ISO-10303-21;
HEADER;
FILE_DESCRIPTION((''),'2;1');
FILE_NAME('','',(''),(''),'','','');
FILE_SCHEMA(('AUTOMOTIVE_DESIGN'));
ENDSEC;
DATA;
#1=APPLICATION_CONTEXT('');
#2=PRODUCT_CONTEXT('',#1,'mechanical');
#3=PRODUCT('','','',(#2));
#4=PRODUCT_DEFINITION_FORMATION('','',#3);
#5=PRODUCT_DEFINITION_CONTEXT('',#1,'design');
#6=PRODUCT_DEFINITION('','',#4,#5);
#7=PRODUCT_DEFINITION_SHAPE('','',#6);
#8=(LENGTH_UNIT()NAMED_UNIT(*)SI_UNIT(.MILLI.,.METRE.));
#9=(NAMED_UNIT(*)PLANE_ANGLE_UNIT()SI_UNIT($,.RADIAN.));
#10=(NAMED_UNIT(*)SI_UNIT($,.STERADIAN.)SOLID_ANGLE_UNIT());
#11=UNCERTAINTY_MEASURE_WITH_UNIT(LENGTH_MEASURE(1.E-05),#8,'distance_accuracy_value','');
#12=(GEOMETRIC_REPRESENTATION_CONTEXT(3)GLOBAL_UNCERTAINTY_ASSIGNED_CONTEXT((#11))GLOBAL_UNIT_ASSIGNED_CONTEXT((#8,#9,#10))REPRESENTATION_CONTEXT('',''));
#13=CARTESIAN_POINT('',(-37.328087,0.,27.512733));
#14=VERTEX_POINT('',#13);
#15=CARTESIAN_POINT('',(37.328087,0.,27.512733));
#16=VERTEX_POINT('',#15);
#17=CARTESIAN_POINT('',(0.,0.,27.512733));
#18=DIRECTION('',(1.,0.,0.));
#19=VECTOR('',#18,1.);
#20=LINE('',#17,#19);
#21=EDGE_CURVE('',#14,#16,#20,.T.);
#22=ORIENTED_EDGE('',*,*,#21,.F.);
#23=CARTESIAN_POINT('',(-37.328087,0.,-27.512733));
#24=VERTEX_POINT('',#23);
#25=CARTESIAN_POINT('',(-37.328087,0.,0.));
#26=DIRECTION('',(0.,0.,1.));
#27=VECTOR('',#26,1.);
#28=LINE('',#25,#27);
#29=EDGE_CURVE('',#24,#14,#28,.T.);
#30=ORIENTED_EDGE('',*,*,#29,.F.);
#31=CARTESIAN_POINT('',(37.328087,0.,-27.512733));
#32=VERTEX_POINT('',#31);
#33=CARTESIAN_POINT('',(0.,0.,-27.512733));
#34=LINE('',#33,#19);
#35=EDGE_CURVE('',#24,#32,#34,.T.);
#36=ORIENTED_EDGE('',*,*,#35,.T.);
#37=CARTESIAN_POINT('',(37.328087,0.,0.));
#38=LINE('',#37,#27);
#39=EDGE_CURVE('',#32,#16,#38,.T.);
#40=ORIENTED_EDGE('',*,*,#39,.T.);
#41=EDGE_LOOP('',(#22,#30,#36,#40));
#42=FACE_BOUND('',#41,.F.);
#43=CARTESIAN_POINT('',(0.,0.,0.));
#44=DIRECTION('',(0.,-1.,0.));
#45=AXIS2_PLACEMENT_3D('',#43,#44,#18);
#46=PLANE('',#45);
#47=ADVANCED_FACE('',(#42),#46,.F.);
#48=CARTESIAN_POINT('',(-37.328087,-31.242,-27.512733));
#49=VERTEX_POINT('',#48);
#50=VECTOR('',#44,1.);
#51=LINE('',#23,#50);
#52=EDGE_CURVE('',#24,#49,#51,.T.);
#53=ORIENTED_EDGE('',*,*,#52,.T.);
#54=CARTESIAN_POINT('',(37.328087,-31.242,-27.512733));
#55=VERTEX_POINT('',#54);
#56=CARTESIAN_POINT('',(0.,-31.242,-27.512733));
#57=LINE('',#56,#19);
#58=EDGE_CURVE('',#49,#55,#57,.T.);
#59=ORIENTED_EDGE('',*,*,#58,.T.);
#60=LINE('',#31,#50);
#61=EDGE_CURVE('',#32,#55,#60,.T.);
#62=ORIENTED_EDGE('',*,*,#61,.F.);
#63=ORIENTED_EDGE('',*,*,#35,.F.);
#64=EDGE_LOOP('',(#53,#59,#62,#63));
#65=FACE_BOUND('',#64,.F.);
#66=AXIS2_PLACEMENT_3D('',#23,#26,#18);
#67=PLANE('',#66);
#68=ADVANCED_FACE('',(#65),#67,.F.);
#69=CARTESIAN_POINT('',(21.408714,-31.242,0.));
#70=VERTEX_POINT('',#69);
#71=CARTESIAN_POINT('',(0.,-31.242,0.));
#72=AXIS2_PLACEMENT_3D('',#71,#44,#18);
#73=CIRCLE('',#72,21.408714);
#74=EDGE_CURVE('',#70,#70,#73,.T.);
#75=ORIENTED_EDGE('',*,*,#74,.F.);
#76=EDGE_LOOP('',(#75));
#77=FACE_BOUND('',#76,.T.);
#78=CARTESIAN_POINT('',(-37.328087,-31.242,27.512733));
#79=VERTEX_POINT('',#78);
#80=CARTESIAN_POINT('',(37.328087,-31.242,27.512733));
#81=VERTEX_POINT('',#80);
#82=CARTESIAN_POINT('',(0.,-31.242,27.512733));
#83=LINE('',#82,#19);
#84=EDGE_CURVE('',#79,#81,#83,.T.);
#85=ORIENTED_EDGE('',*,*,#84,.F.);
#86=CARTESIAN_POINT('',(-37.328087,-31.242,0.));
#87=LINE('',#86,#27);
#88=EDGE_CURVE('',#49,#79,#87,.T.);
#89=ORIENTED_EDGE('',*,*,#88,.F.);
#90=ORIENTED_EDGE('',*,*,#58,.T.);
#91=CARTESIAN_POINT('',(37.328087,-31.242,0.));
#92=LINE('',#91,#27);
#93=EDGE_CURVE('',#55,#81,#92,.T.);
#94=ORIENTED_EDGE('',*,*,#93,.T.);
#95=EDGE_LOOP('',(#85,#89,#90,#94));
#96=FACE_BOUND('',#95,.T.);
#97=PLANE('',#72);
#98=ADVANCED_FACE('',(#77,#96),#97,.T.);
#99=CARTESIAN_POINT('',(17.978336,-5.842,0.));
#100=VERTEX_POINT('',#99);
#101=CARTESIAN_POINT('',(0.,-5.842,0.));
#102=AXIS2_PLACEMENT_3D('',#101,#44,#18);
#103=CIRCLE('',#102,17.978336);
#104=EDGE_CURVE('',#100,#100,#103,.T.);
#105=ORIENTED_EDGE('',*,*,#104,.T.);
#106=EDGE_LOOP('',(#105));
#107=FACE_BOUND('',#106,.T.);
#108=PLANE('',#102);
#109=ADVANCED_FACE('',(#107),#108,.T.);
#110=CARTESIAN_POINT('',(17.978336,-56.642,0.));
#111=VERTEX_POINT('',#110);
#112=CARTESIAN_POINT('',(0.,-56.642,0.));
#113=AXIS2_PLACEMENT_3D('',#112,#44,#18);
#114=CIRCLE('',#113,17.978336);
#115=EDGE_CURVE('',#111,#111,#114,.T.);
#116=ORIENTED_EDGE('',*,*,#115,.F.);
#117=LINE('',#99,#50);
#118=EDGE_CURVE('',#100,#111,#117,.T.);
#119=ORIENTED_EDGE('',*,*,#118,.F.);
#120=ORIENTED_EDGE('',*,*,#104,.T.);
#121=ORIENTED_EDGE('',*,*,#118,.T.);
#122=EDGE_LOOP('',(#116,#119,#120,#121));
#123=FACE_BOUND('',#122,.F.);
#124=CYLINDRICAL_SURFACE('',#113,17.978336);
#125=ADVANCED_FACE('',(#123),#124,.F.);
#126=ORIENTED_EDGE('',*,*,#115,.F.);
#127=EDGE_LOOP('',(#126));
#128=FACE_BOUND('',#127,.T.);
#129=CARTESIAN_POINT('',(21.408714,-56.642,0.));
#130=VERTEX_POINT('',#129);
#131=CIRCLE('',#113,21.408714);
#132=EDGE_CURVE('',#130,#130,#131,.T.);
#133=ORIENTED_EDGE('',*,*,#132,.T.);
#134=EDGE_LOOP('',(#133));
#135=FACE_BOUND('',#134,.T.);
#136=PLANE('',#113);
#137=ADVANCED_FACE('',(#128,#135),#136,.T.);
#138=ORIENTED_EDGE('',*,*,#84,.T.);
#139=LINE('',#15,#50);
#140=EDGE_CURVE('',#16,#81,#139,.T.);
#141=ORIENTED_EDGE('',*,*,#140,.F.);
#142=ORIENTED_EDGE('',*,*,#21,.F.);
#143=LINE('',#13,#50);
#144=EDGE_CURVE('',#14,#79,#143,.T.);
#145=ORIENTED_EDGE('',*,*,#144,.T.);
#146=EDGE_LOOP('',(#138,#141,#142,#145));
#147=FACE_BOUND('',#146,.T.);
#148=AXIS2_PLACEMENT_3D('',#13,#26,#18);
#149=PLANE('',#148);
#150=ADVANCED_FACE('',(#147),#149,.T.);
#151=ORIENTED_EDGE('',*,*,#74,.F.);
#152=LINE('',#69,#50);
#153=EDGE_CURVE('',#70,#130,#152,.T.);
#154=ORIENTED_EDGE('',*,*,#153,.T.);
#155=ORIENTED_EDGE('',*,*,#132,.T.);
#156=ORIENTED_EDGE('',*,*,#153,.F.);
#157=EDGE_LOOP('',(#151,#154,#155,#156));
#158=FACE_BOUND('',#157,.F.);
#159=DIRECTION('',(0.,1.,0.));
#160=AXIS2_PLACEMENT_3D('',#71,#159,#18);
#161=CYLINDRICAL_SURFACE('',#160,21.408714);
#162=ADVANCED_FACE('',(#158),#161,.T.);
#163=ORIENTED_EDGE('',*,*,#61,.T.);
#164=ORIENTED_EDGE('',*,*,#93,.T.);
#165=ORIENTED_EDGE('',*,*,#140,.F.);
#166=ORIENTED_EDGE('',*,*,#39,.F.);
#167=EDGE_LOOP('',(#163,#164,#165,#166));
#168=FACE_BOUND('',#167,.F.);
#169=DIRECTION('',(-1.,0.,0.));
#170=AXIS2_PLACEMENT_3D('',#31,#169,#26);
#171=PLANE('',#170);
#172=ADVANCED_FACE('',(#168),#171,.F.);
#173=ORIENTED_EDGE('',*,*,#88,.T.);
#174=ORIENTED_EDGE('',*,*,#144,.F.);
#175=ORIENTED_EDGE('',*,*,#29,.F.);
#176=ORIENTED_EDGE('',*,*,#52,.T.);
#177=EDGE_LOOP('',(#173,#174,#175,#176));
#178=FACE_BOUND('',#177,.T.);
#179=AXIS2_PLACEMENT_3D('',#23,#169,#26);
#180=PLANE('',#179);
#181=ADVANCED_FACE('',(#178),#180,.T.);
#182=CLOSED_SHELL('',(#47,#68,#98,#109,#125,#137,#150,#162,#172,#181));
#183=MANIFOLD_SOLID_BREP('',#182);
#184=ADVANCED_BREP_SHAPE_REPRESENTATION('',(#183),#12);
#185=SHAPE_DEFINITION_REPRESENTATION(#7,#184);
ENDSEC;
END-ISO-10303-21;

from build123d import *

# Parameters (mm, degrees)
F0_W      = 74.656174
F0_H      = 55.025466
F1_DEPTH  = 31.242
F2_R      = 21.408714
F3_DEPTH  = 25.4
F4_R      = 17.978336
F5_DEPTH  = 25.4
F5_FACE_R = 17.978336
F6_DEPTH  = 25.4


with BuildPart() as f1:
    # F0 (on Front) → F1 (new body)
    with BuildSketch(Plane.XZ):
        Rectangle(F0_W, F0_H)
    extrude(amount=F1_DEPTH)

    # F2 (on face) → F3 (join)
    with BuildSketch(Plane.XZ.offset(31.242)):
        Circle(F2_R)
    extrude(amount=F3_DEPTH)

    # F4 (on face) → F5 (cut)
    with BuildSketch(Plane.XZ.offset(56.642)):
        Circle(F4_R)
    extrude(amount=-F5_DEPTH, mode=Mode.SUBTRACT)

    # F5_face (on face) → F6 (cut)
    with BuildSketch(Plane.XZ.offset(31.242)):
        Circle(F5_FACE_R)
    extrude(amount=-F6_DEPTH, mode=Mode.SUBTRACT)


solid = f1.part
